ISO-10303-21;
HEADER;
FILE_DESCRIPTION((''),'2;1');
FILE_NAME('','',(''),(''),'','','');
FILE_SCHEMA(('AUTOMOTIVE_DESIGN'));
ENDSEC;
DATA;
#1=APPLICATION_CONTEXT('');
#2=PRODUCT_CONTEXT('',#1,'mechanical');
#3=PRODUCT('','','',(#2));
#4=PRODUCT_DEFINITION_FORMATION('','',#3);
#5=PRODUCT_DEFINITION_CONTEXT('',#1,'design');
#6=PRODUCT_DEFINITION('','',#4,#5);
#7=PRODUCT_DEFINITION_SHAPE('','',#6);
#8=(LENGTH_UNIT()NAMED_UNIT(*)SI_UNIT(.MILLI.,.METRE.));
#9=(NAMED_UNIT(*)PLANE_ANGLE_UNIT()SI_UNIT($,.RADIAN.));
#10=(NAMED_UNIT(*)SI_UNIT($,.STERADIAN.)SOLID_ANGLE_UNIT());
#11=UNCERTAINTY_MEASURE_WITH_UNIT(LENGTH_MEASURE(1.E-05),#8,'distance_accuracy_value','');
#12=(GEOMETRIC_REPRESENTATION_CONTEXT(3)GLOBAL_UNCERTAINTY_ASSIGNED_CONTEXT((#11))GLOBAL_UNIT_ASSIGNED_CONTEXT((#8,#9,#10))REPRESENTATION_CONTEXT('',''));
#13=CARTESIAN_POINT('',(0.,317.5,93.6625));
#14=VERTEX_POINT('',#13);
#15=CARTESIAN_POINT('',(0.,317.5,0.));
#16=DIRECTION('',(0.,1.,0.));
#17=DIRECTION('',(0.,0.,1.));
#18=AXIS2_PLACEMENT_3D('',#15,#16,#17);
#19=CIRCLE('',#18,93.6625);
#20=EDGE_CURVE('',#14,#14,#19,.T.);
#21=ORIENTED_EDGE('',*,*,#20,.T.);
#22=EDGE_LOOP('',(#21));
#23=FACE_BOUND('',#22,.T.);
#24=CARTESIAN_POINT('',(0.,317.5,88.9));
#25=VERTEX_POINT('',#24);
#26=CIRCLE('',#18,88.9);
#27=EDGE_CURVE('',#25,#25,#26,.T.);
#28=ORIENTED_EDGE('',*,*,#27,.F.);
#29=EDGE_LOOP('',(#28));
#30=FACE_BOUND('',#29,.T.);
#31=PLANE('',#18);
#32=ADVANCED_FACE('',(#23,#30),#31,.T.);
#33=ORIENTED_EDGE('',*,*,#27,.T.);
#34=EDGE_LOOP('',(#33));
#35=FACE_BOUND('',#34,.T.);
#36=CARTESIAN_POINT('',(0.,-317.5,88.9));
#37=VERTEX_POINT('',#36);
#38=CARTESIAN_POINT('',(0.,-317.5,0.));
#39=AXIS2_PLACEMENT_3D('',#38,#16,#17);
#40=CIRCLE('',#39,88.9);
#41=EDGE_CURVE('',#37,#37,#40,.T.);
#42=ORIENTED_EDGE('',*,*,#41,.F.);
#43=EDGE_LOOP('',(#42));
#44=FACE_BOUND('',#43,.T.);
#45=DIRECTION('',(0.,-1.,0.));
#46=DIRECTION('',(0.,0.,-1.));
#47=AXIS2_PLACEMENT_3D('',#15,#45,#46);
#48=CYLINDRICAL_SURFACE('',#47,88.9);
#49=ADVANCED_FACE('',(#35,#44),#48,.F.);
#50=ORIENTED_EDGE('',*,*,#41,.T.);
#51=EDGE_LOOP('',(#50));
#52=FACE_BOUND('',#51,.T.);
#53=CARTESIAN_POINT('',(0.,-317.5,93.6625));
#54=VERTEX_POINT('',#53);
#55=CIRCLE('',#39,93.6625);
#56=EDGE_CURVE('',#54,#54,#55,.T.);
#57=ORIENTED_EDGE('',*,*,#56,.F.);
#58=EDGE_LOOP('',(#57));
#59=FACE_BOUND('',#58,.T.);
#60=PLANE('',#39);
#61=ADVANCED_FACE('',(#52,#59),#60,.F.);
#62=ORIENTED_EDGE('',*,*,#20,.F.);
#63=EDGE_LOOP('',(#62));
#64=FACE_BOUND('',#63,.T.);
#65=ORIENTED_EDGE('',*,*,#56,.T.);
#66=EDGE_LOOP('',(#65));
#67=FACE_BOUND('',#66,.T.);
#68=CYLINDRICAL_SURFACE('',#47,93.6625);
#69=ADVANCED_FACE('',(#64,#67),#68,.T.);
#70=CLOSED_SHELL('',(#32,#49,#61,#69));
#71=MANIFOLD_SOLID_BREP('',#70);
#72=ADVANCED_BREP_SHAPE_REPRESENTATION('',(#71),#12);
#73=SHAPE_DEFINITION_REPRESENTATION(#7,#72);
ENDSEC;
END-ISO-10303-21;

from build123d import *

# Parameters (mm, degrees)
SKETCH1_R           = 93.6625
SKETCH1_R_2         = 88.9
BOSS_EXTRUDE1_DEPTH = 317.5


with BuildPart() as part:
    # Sketch1 → Boss-Extrude1 (new body, symmetric)
    with BuildSketch(Plane(origin=(0, 0, 0), x_dir=(1, 0, 0), z_dir=(0, 1, 0))):
        Circle(SKETCH1_R)
        Circle(SKETCH1_R_2, mode=Mode.SUBTRACT)
    extrude(amount=BOSS_EXTRUDE1_DEPTH, both=True)


solid = part.part
